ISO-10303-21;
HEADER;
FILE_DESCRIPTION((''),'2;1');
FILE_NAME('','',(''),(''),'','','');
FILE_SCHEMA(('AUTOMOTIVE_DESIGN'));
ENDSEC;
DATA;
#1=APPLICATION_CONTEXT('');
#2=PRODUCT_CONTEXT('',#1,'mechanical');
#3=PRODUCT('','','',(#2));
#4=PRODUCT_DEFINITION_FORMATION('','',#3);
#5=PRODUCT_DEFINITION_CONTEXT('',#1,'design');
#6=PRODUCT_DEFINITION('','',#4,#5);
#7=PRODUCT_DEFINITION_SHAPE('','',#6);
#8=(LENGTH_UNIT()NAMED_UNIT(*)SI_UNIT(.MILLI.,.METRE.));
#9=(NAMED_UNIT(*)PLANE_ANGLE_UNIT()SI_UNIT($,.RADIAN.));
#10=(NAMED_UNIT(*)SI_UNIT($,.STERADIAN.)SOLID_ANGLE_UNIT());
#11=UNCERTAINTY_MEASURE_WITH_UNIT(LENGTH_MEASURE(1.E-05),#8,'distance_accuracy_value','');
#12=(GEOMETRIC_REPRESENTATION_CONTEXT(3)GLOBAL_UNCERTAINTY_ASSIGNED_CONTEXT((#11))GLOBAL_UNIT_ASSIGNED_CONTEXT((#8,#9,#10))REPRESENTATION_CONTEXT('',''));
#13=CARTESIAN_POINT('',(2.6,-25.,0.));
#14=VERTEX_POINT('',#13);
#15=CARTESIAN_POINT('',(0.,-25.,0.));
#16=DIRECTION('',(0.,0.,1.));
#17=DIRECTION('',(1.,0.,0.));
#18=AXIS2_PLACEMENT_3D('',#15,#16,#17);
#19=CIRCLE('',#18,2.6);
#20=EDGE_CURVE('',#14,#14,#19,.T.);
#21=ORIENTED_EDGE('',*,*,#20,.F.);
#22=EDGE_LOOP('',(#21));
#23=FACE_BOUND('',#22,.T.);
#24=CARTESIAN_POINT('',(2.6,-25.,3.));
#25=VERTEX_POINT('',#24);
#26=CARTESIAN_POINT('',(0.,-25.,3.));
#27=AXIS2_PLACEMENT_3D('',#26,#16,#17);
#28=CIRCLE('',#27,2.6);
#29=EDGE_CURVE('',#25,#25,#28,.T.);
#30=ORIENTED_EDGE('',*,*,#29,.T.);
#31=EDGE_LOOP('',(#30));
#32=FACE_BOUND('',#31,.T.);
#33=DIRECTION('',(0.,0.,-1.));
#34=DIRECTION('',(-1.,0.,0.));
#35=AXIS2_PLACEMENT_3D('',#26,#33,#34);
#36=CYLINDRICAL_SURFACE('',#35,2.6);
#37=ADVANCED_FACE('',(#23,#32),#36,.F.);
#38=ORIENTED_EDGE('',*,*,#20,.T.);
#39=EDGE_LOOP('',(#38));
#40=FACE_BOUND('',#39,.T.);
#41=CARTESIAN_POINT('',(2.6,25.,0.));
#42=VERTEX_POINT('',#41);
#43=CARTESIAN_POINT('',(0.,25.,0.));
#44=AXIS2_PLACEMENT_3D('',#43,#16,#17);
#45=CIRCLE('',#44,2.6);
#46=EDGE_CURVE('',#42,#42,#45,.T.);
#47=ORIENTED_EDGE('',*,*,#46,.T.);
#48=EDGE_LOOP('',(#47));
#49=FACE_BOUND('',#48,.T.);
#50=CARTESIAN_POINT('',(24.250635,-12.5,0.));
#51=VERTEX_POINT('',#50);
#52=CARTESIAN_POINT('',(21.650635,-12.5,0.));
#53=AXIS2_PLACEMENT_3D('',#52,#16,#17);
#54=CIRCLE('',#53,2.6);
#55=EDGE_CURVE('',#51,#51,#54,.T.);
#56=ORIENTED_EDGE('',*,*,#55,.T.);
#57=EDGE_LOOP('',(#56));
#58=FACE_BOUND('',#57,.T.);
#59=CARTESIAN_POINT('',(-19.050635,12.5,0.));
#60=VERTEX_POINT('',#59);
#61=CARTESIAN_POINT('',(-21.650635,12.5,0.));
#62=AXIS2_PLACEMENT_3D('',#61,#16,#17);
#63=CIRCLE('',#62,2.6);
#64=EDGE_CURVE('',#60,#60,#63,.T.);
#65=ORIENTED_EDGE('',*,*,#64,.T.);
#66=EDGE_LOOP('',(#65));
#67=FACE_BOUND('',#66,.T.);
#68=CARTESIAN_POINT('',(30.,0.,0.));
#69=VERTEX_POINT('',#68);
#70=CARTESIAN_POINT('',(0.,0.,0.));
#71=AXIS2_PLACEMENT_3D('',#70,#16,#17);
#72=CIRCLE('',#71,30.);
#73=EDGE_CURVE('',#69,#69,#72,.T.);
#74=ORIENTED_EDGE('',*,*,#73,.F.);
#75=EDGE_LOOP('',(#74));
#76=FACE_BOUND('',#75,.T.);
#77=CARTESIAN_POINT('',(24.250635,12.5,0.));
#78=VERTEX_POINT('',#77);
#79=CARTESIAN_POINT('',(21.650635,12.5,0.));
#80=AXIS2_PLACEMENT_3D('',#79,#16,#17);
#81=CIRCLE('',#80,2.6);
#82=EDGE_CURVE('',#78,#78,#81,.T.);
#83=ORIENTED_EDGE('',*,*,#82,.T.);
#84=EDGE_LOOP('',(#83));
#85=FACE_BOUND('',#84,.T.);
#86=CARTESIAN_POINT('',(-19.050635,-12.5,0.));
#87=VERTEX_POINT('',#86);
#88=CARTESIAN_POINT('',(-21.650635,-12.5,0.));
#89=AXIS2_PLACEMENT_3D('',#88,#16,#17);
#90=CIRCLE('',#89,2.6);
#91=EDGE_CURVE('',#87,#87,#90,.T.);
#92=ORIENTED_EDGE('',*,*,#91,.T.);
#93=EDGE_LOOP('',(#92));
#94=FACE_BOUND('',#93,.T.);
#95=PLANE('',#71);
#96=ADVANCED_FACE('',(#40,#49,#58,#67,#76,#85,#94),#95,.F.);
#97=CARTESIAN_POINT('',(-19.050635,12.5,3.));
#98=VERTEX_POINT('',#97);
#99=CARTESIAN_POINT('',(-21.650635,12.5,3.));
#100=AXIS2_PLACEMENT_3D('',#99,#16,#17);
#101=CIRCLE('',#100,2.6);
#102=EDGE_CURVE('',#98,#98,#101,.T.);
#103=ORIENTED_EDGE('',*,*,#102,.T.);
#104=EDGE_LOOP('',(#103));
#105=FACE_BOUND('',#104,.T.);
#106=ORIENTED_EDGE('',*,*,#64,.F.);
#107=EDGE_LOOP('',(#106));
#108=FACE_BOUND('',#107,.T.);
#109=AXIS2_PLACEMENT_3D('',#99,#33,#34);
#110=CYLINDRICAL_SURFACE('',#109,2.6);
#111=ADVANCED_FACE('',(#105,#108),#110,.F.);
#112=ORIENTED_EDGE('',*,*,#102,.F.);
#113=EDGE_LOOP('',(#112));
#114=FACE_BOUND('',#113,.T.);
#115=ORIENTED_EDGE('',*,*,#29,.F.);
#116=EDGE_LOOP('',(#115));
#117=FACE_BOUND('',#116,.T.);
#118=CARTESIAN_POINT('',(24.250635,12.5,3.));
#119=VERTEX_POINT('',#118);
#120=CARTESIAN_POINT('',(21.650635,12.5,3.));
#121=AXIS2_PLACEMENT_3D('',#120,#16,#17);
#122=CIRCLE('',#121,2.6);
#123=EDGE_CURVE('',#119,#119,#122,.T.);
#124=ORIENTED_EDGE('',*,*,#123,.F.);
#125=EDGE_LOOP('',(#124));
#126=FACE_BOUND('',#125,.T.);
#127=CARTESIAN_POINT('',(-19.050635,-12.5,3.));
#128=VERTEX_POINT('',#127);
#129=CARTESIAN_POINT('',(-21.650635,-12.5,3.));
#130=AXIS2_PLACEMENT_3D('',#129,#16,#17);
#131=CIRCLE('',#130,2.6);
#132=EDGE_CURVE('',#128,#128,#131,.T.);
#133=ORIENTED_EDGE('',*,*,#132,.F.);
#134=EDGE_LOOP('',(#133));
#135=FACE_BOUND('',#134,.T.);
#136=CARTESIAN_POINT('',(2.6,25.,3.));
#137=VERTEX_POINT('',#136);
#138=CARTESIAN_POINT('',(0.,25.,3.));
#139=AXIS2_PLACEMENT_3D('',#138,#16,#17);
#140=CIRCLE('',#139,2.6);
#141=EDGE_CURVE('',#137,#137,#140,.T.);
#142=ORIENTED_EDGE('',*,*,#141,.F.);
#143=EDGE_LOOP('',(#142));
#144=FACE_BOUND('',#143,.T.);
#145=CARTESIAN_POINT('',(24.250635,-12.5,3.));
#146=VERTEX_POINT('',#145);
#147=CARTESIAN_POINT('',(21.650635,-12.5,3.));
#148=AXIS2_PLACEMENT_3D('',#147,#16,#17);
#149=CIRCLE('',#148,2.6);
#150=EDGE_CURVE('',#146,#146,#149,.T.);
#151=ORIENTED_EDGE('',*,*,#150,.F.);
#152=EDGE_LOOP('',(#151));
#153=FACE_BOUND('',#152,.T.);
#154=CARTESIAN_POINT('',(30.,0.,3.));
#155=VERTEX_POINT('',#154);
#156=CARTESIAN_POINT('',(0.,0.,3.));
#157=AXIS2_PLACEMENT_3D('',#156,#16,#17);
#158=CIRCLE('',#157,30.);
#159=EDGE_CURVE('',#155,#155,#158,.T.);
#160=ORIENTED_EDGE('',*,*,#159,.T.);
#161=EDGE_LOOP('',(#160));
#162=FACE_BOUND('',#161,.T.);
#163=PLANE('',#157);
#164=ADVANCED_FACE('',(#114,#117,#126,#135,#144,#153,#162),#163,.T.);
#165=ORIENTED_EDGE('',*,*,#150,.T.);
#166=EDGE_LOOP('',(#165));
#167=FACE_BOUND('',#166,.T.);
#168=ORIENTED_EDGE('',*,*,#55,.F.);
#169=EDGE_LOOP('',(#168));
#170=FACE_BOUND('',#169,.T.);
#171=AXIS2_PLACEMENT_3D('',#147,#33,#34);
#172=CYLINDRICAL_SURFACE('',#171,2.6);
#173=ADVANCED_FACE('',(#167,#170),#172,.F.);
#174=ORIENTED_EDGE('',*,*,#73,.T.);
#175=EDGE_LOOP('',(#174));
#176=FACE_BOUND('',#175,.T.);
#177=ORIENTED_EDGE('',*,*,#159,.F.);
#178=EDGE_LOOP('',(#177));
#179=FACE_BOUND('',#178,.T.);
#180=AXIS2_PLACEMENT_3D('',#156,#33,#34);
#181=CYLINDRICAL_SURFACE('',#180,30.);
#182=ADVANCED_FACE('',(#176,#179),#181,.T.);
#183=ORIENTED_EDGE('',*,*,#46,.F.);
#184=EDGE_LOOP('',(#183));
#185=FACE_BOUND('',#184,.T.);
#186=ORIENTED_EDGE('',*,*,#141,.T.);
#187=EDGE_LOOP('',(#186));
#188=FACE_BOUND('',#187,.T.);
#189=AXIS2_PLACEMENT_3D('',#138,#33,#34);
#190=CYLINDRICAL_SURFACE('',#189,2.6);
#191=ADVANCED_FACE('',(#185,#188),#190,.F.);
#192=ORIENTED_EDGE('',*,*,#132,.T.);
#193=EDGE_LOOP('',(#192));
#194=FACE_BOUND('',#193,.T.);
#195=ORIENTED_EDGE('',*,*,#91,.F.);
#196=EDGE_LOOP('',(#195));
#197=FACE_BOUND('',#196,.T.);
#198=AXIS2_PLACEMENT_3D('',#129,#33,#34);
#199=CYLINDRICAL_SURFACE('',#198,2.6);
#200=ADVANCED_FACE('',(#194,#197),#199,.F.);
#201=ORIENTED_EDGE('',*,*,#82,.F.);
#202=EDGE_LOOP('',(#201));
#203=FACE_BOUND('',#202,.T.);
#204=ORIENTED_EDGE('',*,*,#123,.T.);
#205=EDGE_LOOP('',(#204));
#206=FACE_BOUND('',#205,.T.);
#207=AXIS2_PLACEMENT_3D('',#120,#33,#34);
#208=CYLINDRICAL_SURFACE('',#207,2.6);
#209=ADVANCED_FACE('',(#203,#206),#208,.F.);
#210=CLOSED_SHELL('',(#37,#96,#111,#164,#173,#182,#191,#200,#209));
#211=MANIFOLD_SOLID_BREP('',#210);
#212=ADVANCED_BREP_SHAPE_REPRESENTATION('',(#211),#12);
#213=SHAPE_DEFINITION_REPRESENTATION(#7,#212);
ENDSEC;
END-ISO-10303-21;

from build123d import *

# Parameters (mm, degrees)
SKETCH1_R           = 30
SKETCH1_R_2         = 2.6
BOSS_EXTRUDE1_DEPTH = 3


with BuildPart() as part:
    # Sketch1 → Boss-Extrude1 (new body)
    with BuildSketch(Plane.XY):
        Circle(SKETCH1_R)
        with Locations((0, 25)):
            Circle(SKETCH1_R_2, mode=Mode.SUBTRACT)
        with Locations((21.650635095, 12.5)):
            Circle(SKETCH1_R_2, mode=Mode.SUBTRACT)
        with Locations((21.650635095, -12.5)):
            Circle(SKETCH1_R_2, mode=Mode.SUBTRACT)
        with Locations((0, -25)):
            Circle(SKETCH1_R_2, mode=Mode.SUBTRACT)
        with Locations((-21.650635095, -12.5)):
            Circle(SKETCH1_R_2, mode=Mode.SUBTRACT)
        with Locations((-21.650635095, 12.5)):
            Circle(SKETCH1_R_2, mode=Mode.SUBTRACT)
    extrude(amount=BOSS_EXTRUDE1_DEPTH)


solid = part.part
